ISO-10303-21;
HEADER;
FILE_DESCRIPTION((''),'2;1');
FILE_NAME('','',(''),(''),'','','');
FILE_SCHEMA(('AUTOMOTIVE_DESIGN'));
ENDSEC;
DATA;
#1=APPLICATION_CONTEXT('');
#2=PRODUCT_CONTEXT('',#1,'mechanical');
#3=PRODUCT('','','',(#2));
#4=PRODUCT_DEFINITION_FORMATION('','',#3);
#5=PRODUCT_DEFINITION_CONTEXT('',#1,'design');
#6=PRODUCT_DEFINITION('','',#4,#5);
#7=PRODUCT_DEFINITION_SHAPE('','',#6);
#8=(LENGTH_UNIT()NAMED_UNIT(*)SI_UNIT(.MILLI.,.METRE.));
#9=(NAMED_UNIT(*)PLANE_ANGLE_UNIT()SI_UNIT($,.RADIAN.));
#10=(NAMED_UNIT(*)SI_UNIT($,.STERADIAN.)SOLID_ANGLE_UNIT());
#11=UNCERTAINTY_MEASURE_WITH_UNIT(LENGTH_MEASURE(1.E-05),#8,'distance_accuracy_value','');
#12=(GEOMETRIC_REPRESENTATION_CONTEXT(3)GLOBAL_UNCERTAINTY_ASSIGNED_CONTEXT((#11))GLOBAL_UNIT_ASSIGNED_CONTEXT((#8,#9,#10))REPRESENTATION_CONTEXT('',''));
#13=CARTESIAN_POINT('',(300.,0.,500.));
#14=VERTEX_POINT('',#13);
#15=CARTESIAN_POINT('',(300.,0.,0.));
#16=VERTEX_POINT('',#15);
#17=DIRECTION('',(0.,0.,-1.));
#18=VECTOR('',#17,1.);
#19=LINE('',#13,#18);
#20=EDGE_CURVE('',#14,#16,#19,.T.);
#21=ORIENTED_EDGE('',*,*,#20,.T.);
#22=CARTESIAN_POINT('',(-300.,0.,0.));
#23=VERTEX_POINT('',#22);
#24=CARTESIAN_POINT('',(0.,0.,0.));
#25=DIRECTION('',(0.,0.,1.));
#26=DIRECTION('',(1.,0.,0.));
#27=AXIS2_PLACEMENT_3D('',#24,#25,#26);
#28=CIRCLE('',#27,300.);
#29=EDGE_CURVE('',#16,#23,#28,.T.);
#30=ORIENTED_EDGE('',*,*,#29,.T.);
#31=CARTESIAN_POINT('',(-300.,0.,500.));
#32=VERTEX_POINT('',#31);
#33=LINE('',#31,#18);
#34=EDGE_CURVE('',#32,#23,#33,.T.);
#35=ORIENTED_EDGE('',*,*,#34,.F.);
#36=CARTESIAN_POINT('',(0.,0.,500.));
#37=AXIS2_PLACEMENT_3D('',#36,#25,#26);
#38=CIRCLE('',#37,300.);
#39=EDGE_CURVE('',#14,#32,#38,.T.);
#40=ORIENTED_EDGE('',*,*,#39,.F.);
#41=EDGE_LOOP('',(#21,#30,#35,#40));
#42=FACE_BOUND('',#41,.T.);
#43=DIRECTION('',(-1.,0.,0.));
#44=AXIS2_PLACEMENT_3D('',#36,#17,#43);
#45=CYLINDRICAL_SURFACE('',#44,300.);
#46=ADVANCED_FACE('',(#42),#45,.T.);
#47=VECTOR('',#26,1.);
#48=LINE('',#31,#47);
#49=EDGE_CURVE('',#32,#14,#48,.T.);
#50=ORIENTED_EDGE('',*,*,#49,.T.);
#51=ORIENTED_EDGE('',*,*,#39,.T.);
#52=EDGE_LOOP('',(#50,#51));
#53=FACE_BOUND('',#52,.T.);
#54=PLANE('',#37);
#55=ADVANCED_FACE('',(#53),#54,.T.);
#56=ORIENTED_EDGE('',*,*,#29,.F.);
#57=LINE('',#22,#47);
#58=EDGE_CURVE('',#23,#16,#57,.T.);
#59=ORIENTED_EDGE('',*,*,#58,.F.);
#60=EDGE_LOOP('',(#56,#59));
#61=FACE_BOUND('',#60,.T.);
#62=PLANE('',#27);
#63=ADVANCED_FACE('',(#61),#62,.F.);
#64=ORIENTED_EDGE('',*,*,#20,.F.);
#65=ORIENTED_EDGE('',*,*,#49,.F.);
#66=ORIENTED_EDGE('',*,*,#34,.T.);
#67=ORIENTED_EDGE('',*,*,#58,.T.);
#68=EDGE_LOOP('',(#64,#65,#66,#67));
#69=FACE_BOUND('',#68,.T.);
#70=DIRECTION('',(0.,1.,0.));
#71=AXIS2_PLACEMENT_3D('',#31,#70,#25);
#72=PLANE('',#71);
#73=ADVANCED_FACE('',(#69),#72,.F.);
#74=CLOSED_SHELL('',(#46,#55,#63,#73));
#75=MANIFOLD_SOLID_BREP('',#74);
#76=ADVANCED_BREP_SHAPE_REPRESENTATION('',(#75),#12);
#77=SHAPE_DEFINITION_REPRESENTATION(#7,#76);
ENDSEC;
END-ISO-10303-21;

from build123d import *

# Parameters (mm, degrees)
BOSS_EXTRUDE1_DEPTH = 500


with BuildPart() as part:
    # Sketch2 → Boss-Extrude1 (new body)
    with BuildSketch(Plane.XY):
        with BuildLine():
            Line((-300, 0), (300, 0))
            ThreePointArc((300, 0), (0, 300), (-300, 0))
        make_face()
    extrude(amount=BOSS_EXTRUDE1_DEPTH)


solid = part.part
